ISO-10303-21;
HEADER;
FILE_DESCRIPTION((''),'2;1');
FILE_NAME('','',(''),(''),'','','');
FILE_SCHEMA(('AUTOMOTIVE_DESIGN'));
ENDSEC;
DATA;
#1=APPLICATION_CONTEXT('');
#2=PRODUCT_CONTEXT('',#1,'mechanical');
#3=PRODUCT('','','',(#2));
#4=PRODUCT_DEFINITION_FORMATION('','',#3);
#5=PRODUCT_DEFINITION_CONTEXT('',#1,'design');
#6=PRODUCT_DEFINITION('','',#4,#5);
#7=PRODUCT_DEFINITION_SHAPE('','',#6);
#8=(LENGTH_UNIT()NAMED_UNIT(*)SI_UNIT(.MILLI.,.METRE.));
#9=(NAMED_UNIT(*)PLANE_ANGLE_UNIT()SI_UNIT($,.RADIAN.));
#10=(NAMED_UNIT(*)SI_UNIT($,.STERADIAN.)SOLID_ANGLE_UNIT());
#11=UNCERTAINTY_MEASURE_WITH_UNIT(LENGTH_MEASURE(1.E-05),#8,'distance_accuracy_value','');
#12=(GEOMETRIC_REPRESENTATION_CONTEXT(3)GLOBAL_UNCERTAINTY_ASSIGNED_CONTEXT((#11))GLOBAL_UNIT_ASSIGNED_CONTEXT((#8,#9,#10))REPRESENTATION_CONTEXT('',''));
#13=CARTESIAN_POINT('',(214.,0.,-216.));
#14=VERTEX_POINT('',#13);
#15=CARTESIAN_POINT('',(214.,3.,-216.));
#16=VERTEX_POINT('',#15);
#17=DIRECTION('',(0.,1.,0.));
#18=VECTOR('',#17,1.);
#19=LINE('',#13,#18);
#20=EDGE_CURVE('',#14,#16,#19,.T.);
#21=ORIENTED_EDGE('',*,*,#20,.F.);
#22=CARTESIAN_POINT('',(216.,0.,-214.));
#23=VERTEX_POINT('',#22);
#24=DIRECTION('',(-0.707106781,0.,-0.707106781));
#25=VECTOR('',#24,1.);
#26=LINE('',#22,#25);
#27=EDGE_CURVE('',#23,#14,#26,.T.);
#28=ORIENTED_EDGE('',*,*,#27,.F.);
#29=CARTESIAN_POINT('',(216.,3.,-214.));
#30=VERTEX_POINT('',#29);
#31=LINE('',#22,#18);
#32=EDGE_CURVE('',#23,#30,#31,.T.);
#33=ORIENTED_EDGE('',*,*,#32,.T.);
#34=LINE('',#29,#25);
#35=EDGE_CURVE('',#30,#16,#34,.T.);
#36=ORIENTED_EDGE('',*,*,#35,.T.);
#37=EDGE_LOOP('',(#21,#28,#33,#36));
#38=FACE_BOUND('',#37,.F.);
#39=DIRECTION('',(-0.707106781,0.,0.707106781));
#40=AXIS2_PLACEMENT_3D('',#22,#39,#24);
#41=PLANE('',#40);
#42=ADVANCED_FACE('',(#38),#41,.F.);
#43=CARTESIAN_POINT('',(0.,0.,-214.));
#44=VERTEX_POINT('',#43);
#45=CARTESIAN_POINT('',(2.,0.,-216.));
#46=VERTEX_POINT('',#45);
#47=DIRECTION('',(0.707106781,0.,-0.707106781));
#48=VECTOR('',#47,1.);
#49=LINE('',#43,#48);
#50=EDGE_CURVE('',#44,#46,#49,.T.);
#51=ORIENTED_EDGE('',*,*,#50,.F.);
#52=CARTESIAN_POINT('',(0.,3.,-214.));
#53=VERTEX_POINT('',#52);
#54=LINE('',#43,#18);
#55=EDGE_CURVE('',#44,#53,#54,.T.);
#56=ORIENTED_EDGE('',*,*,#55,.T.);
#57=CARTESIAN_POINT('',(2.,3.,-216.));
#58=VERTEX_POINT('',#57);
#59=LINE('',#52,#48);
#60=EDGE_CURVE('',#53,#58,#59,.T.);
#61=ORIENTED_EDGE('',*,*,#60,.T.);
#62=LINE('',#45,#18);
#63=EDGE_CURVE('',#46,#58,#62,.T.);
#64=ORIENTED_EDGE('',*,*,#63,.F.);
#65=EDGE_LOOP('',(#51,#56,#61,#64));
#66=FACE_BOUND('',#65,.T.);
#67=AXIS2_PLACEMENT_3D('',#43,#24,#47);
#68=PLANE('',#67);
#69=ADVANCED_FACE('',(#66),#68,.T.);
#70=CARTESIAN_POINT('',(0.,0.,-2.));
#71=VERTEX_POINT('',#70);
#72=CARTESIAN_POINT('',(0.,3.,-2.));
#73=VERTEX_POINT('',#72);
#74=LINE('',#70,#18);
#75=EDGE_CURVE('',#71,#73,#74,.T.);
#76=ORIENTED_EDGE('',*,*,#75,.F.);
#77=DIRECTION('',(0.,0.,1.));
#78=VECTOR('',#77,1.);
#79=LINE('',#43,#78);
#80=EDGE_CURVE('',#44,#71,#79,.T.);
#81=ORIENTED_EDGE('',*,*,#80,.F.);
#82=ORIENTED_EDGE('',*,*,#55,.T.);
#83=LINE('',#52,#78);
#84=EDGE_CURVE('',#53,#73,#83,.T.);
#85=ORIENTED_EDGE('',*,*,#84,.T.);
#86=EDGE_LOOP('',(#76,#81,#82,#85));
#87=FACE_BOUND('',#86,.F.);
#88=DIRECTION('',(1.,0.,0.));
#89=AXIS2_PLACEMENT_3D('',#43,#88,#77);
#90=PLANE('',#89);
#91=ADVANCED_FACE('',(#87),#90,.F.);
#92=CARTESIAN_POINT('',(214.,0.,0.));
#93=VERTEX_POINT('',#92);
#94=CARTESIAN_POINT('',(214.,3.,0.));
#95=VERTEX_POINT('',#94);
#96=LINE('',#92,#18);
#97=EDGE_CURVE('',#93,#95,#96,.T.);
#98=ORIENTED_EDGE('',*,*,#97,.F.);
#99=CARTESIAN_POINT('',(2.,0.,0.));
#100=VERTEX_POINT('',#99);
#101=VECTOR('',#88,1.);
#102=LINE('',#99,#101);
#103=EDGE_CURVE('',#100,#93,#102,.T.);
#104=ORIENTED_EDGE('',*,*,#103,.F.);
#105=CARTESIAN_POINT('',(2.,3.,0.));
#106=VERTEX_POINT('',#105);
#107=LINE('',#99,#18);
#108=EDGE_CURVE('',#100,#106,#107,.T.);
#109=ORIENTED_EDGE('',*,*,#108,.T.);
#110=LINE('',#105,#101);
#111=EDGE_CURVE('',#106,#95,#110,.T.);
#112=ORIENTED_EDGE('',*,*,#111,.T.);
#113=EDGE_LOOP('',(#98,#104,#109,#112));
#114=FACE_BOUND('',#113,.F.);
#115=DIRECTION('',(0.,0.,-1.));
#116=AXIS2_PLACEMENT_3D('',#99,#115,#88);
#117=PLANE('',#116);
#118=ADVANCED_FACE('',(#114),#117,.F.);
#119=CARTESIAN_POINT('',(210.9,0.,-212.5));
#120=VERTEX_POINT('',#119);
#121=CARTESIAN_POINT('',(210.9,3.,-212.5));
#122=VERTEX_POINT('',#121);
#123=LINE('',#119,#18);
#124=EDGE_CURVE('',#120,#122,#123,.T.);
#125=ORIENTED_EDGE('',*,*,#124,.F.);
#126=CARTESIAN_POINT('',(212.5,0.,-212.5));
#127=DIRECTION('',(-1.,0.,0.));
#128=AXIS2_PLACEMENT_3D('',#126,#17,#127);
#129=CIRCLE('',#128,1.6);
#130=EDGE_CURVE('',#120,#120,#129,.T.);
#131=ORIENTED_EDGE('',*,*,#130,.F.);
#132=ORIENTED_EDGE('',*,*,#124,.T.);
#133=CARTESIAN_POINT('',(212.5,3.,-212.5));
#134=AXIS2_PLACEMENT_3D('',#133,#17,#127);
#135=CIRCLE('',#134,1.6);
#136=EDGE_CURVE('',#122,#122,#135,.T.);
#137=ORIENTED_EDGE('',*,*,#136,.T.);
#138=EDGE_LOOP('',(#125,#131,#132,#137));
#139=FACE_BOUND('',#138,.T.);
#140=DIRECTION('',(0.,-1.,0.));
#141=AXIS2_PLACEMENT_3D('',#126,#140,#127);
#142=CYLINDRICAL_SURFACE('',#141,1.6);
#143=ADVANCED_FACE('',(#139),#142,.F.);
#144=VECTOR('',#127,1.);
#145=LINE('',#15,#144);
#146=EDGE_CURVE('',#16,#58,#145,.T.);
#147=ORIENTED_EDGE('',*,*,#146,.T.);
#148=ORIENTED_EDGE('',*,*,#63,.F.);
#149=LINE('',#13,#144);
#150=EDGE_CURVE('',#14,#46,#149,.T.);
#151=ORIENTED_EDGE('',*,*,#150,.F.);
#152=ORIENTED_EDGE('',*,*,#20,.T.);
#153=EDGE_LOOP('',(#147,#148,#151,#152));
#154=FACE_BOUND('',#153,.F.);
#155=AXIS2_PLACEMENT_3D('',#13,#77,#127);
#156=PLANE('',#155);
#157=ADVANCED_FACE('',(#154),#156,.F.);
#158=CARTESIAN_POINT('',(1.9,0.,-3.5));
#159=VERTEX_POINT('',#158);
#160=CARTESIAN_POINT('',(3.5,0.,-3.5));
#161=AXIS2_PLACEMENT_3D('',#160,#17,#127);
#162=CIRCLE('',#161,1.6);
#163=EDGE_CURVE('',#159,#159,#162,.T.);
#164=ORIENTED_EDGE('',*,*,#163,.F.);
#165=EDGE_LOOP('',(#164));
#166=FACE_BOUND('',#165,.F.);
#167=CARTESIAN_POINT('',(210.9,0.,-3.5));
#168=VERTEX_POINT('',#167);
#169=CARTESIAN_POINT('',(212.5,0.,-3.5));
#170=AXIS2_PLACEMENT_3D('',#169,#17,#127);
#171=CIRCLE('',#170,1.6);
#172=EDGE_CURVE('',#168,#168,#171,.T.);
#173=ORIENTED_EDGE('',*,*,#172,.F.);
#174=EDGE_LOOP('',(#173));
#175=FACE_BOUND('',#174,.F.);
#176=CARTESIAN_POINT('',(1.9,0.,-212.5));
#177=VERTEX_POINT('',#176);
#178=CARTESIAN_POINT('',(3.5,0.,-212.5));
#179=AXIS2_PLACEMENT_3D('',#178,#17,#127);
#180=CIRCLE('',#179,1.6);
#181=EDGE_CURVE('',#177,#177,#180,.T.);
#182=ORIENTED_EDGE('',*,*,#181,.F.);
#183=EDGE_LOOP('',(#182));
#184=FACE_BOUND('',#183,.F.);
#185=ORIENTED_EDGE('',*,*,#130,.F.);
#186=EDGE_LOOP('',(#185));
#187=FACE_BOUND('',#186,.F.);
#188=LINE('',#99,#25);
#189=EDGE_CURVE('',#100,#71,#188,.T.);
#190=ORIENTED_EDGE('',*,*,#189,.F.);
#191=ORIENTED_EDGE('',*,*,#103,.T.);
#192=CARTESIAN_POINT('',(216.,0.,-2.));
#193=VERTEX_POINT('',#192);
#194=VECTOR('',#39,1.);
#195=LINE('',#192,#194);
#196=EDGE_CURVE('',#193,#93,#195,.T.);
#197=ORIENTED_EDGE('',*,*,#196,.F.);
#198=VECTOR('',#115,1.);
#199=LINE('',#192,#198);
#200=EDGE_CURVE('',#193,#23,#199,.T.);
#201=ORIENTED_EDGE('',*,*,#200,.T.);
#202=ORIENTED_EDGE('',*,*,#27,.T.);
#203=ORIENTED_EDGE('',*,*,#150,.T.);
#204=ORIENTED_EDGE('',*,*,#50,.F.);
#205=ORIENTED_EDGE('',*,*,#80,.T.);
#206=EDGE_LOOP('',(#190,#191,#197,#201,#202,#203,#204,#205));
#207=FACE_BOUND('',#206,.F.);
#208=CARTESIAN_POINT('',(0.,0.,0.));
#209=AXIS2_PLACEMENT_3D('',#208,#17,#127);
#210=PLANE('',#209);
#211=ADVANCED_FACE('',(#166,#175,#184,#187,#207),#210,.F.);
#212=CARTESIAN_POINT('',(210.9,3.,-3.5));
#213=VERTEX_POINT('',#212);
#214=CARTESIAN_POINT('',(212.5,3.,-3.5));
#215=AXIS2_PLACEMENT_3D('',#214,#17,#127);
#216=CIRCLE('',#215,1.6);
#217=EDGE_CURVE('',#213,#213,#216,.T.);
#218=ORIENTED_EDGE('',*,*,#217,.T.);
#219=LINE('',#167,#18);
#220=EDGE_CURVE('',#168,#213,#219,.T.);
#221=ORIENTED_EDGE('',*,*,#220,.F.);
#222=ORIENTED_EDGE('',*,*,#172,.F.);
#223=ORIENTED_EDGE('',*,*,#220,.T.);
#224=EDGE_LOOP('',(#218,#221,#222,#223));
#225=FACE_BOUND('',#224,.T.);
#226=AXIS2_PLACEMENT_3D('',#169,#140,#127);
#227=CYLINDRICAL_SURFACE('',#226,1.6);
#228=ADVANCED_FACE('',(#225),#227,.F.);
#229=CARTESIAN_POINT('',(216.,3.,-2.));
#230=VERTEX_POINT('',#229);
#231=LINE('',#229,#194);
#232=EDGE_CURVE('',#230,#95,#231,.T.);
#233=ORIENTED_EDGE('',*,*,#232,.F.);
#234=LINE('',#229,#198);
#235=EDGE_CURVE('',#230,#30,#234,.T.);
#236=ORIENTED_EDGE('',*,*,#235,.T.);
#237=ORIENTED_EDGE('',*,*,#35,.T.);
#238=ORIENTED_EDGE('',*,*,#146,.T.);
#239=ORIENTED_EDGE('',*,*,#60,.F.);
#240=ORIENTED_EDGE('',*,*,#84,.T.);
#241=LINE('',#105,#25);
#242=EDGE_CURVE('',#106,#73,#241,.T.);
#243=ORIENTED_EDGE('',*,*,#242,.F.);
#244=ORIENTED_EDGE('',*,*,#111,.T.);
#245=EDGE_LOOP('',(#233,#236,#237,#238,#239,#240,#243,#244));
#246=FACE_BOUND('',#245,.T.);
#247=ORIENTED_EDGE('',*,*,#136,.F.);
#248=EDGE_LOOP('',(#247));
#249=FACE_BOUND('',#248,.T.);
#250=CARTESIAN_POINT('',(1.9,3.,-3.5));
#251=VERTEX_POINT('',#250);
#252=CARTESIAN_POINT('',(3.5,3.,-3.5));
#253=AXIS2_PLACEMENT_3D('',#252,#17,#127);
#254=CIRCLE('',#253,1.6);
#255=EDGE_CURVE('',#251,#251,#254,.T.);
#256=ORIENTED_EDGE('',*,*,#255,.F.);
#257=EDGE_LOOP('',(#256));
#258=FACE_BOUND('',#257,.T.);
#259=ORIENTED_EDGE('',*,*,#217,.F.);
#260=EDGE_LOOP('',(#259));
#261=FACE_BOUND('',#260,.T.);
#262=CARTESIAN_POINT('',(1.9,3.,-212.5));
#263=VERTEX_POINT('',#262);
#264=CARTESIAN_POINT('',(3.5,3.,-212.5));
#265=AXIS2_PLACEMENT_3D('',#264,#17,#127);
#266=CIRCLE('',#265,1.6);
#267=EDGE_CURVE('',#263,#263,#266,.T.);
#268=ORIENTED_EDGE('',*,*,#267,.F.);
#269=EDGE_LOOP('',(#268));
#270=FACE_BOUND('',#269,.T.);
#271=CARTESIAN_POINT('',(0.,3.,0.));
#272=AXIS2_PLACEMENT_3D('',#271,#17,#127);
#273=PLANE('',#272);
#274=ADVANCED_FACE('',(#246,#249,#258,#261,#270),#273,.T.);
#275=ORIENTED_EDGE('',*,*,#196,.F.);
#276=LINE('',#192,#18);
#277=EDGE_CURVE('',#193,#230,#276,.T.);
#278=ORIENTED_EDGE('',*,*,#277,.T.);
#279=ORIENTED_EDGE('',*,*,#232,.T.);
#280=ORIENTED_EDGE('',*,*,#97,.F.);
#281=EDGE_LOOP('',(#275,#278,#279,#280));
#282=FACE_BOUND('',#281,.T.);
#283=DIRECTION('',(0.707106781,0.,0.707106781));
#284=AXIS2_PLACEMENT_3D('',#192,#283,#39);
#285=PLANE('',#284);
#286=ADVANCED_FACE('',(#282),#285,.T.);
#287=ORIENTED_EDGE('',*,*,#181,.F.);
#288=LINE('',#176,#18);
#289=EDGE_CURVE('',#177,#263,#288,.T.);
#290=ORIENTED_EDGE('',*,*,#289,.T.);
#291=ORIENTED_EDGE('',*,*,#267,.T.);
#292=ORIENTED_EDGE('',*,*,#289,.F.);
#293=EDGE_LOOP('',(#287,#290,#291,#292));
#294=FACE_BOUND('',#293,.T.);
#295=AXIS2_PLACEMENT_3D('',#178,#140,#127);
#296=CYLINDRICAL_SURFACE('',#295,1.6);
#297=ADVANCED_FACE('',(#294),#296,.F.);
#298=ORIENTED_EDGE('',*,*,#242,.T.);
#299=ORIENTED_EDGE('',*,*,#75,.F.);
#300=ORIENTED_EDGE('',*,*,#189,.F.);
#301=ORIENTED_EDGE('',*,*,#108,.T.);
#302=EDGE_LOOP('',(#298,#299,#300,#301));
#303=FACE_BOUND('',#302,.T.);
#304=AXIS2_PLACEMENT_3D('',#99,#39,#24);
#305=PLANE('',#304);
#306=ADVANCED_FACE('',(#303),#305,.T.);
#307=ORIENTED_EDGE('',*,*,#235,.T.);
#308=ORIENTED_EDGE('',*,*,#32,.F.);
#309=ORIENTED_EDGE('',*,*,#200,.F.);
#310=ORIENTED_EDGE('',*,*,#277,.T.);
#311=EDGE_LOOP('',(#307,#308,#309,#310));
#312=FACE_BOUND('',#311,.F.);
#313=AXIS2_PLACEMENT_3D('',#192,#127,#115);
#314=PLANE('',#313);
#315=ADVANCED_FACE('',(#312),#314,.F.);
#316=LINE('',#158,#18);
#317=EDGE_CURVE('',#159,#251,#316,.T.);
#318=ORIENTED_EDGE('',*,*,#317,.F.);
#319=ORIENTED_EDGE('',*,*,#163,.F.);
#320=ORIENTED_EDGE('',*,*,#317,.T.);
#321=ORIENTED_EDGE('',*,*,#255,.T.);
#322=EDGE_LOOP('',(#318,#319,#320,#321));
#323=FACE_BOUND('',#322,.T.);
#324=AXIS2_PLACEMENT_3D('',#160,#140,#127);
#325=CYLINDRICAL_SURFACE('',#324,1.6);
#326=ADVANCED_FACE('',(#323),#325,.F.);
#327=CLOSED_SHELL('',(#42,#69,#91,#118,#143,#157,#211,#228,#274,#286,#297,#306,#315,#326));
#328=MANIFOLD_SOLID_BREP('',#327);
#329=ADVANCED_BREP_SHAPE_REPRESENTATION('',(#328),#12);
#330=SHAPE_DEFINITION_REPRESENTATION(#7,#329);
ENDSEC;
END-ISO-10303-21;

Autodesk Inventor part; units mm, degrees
ref_plane "YZ Plane" through (0, 0, 0) normal (1, 0, 0) x (0, 1, 0)
ref_plane "XZ Plane" through (0, 0, 0) normal (0, 1, 0) x (-1, 0, 0)
ref_plane "XY Plane" through (0, 0, 0) normal (0, 0, 1) x (1, 0, 0)
sketch "Sketch1" plane through (0, 0, 0) normal (0, 1, 0) x (-1, 0, 0)
  line L0 (-2, 0) -> (-214, 0)
  line L1 (-216, -2) -> (-216, -214)
  line L2 (-214, -216) -> (-2, -216)
  line L3 (0, -214) -> (0, -2)
  line L4 (0, -214) -> (-2, -216)
  line L5 (-216, -214) -> (-214, -216)
  line L6 (-216, -2) -> (-214, 0)
  line L7 (-2, 0) -> (0, -2)
  line L8 (-3.5, -212.5) -> (-212.5, -212.5) construction
  line L9 (-212.5, -212.5) -> (-212.5, -3.5) construction
  line L10 (-212.5, -3.5) -> (-3.5, -3.5) construction
  line L11 (-3.5, -3.5) -> (-3.5, -212.5) construction
  circle A0 centre (-3.5, -3.5) radius 1.6
  circle A1 centre (-3.5, -212.5) radius 1.6
  circle A2 centre (-212.5, -212.5) radius 1.6
  circle A3 centre (-212.5, -3.5) radius 1.6
  point P0 (0, 0)
  point P1 (-216, -216)
  point P2 (-216, 0)
  point P3 (0, -216)
  point P4 (-108, -212.5)
  point P5 (-108, -216)
  point P6 (-212.5, -108)
  point P7 (-216, -108)
  dimension "d0" = 2
  dimension "d1" = 2
  dimension "d2" = 2
  dimension "d3" = 2
  dimension "d4" = 2
  dimension "d5" = 2
  dimension "d6" = 2
  dimension "d7" = 2
  dimension "d8" = 216
  dimension "d9" = 209
  dimension "d10" = 3.2
extrude "Extrusion1" add sketch "Sketch1" along normal blind 3
equation "\"d1\" = d0"
equation "\"d2\" = d0"
equation "\"d3\" = d2"
equation "\"d4\" = d0"
equation "\"d5\" = d4"
equation "\"d6\" = d0"
equation "\"d7\" = d6"
properties part number "heatbed_thermal_insulation" material "Wood"
